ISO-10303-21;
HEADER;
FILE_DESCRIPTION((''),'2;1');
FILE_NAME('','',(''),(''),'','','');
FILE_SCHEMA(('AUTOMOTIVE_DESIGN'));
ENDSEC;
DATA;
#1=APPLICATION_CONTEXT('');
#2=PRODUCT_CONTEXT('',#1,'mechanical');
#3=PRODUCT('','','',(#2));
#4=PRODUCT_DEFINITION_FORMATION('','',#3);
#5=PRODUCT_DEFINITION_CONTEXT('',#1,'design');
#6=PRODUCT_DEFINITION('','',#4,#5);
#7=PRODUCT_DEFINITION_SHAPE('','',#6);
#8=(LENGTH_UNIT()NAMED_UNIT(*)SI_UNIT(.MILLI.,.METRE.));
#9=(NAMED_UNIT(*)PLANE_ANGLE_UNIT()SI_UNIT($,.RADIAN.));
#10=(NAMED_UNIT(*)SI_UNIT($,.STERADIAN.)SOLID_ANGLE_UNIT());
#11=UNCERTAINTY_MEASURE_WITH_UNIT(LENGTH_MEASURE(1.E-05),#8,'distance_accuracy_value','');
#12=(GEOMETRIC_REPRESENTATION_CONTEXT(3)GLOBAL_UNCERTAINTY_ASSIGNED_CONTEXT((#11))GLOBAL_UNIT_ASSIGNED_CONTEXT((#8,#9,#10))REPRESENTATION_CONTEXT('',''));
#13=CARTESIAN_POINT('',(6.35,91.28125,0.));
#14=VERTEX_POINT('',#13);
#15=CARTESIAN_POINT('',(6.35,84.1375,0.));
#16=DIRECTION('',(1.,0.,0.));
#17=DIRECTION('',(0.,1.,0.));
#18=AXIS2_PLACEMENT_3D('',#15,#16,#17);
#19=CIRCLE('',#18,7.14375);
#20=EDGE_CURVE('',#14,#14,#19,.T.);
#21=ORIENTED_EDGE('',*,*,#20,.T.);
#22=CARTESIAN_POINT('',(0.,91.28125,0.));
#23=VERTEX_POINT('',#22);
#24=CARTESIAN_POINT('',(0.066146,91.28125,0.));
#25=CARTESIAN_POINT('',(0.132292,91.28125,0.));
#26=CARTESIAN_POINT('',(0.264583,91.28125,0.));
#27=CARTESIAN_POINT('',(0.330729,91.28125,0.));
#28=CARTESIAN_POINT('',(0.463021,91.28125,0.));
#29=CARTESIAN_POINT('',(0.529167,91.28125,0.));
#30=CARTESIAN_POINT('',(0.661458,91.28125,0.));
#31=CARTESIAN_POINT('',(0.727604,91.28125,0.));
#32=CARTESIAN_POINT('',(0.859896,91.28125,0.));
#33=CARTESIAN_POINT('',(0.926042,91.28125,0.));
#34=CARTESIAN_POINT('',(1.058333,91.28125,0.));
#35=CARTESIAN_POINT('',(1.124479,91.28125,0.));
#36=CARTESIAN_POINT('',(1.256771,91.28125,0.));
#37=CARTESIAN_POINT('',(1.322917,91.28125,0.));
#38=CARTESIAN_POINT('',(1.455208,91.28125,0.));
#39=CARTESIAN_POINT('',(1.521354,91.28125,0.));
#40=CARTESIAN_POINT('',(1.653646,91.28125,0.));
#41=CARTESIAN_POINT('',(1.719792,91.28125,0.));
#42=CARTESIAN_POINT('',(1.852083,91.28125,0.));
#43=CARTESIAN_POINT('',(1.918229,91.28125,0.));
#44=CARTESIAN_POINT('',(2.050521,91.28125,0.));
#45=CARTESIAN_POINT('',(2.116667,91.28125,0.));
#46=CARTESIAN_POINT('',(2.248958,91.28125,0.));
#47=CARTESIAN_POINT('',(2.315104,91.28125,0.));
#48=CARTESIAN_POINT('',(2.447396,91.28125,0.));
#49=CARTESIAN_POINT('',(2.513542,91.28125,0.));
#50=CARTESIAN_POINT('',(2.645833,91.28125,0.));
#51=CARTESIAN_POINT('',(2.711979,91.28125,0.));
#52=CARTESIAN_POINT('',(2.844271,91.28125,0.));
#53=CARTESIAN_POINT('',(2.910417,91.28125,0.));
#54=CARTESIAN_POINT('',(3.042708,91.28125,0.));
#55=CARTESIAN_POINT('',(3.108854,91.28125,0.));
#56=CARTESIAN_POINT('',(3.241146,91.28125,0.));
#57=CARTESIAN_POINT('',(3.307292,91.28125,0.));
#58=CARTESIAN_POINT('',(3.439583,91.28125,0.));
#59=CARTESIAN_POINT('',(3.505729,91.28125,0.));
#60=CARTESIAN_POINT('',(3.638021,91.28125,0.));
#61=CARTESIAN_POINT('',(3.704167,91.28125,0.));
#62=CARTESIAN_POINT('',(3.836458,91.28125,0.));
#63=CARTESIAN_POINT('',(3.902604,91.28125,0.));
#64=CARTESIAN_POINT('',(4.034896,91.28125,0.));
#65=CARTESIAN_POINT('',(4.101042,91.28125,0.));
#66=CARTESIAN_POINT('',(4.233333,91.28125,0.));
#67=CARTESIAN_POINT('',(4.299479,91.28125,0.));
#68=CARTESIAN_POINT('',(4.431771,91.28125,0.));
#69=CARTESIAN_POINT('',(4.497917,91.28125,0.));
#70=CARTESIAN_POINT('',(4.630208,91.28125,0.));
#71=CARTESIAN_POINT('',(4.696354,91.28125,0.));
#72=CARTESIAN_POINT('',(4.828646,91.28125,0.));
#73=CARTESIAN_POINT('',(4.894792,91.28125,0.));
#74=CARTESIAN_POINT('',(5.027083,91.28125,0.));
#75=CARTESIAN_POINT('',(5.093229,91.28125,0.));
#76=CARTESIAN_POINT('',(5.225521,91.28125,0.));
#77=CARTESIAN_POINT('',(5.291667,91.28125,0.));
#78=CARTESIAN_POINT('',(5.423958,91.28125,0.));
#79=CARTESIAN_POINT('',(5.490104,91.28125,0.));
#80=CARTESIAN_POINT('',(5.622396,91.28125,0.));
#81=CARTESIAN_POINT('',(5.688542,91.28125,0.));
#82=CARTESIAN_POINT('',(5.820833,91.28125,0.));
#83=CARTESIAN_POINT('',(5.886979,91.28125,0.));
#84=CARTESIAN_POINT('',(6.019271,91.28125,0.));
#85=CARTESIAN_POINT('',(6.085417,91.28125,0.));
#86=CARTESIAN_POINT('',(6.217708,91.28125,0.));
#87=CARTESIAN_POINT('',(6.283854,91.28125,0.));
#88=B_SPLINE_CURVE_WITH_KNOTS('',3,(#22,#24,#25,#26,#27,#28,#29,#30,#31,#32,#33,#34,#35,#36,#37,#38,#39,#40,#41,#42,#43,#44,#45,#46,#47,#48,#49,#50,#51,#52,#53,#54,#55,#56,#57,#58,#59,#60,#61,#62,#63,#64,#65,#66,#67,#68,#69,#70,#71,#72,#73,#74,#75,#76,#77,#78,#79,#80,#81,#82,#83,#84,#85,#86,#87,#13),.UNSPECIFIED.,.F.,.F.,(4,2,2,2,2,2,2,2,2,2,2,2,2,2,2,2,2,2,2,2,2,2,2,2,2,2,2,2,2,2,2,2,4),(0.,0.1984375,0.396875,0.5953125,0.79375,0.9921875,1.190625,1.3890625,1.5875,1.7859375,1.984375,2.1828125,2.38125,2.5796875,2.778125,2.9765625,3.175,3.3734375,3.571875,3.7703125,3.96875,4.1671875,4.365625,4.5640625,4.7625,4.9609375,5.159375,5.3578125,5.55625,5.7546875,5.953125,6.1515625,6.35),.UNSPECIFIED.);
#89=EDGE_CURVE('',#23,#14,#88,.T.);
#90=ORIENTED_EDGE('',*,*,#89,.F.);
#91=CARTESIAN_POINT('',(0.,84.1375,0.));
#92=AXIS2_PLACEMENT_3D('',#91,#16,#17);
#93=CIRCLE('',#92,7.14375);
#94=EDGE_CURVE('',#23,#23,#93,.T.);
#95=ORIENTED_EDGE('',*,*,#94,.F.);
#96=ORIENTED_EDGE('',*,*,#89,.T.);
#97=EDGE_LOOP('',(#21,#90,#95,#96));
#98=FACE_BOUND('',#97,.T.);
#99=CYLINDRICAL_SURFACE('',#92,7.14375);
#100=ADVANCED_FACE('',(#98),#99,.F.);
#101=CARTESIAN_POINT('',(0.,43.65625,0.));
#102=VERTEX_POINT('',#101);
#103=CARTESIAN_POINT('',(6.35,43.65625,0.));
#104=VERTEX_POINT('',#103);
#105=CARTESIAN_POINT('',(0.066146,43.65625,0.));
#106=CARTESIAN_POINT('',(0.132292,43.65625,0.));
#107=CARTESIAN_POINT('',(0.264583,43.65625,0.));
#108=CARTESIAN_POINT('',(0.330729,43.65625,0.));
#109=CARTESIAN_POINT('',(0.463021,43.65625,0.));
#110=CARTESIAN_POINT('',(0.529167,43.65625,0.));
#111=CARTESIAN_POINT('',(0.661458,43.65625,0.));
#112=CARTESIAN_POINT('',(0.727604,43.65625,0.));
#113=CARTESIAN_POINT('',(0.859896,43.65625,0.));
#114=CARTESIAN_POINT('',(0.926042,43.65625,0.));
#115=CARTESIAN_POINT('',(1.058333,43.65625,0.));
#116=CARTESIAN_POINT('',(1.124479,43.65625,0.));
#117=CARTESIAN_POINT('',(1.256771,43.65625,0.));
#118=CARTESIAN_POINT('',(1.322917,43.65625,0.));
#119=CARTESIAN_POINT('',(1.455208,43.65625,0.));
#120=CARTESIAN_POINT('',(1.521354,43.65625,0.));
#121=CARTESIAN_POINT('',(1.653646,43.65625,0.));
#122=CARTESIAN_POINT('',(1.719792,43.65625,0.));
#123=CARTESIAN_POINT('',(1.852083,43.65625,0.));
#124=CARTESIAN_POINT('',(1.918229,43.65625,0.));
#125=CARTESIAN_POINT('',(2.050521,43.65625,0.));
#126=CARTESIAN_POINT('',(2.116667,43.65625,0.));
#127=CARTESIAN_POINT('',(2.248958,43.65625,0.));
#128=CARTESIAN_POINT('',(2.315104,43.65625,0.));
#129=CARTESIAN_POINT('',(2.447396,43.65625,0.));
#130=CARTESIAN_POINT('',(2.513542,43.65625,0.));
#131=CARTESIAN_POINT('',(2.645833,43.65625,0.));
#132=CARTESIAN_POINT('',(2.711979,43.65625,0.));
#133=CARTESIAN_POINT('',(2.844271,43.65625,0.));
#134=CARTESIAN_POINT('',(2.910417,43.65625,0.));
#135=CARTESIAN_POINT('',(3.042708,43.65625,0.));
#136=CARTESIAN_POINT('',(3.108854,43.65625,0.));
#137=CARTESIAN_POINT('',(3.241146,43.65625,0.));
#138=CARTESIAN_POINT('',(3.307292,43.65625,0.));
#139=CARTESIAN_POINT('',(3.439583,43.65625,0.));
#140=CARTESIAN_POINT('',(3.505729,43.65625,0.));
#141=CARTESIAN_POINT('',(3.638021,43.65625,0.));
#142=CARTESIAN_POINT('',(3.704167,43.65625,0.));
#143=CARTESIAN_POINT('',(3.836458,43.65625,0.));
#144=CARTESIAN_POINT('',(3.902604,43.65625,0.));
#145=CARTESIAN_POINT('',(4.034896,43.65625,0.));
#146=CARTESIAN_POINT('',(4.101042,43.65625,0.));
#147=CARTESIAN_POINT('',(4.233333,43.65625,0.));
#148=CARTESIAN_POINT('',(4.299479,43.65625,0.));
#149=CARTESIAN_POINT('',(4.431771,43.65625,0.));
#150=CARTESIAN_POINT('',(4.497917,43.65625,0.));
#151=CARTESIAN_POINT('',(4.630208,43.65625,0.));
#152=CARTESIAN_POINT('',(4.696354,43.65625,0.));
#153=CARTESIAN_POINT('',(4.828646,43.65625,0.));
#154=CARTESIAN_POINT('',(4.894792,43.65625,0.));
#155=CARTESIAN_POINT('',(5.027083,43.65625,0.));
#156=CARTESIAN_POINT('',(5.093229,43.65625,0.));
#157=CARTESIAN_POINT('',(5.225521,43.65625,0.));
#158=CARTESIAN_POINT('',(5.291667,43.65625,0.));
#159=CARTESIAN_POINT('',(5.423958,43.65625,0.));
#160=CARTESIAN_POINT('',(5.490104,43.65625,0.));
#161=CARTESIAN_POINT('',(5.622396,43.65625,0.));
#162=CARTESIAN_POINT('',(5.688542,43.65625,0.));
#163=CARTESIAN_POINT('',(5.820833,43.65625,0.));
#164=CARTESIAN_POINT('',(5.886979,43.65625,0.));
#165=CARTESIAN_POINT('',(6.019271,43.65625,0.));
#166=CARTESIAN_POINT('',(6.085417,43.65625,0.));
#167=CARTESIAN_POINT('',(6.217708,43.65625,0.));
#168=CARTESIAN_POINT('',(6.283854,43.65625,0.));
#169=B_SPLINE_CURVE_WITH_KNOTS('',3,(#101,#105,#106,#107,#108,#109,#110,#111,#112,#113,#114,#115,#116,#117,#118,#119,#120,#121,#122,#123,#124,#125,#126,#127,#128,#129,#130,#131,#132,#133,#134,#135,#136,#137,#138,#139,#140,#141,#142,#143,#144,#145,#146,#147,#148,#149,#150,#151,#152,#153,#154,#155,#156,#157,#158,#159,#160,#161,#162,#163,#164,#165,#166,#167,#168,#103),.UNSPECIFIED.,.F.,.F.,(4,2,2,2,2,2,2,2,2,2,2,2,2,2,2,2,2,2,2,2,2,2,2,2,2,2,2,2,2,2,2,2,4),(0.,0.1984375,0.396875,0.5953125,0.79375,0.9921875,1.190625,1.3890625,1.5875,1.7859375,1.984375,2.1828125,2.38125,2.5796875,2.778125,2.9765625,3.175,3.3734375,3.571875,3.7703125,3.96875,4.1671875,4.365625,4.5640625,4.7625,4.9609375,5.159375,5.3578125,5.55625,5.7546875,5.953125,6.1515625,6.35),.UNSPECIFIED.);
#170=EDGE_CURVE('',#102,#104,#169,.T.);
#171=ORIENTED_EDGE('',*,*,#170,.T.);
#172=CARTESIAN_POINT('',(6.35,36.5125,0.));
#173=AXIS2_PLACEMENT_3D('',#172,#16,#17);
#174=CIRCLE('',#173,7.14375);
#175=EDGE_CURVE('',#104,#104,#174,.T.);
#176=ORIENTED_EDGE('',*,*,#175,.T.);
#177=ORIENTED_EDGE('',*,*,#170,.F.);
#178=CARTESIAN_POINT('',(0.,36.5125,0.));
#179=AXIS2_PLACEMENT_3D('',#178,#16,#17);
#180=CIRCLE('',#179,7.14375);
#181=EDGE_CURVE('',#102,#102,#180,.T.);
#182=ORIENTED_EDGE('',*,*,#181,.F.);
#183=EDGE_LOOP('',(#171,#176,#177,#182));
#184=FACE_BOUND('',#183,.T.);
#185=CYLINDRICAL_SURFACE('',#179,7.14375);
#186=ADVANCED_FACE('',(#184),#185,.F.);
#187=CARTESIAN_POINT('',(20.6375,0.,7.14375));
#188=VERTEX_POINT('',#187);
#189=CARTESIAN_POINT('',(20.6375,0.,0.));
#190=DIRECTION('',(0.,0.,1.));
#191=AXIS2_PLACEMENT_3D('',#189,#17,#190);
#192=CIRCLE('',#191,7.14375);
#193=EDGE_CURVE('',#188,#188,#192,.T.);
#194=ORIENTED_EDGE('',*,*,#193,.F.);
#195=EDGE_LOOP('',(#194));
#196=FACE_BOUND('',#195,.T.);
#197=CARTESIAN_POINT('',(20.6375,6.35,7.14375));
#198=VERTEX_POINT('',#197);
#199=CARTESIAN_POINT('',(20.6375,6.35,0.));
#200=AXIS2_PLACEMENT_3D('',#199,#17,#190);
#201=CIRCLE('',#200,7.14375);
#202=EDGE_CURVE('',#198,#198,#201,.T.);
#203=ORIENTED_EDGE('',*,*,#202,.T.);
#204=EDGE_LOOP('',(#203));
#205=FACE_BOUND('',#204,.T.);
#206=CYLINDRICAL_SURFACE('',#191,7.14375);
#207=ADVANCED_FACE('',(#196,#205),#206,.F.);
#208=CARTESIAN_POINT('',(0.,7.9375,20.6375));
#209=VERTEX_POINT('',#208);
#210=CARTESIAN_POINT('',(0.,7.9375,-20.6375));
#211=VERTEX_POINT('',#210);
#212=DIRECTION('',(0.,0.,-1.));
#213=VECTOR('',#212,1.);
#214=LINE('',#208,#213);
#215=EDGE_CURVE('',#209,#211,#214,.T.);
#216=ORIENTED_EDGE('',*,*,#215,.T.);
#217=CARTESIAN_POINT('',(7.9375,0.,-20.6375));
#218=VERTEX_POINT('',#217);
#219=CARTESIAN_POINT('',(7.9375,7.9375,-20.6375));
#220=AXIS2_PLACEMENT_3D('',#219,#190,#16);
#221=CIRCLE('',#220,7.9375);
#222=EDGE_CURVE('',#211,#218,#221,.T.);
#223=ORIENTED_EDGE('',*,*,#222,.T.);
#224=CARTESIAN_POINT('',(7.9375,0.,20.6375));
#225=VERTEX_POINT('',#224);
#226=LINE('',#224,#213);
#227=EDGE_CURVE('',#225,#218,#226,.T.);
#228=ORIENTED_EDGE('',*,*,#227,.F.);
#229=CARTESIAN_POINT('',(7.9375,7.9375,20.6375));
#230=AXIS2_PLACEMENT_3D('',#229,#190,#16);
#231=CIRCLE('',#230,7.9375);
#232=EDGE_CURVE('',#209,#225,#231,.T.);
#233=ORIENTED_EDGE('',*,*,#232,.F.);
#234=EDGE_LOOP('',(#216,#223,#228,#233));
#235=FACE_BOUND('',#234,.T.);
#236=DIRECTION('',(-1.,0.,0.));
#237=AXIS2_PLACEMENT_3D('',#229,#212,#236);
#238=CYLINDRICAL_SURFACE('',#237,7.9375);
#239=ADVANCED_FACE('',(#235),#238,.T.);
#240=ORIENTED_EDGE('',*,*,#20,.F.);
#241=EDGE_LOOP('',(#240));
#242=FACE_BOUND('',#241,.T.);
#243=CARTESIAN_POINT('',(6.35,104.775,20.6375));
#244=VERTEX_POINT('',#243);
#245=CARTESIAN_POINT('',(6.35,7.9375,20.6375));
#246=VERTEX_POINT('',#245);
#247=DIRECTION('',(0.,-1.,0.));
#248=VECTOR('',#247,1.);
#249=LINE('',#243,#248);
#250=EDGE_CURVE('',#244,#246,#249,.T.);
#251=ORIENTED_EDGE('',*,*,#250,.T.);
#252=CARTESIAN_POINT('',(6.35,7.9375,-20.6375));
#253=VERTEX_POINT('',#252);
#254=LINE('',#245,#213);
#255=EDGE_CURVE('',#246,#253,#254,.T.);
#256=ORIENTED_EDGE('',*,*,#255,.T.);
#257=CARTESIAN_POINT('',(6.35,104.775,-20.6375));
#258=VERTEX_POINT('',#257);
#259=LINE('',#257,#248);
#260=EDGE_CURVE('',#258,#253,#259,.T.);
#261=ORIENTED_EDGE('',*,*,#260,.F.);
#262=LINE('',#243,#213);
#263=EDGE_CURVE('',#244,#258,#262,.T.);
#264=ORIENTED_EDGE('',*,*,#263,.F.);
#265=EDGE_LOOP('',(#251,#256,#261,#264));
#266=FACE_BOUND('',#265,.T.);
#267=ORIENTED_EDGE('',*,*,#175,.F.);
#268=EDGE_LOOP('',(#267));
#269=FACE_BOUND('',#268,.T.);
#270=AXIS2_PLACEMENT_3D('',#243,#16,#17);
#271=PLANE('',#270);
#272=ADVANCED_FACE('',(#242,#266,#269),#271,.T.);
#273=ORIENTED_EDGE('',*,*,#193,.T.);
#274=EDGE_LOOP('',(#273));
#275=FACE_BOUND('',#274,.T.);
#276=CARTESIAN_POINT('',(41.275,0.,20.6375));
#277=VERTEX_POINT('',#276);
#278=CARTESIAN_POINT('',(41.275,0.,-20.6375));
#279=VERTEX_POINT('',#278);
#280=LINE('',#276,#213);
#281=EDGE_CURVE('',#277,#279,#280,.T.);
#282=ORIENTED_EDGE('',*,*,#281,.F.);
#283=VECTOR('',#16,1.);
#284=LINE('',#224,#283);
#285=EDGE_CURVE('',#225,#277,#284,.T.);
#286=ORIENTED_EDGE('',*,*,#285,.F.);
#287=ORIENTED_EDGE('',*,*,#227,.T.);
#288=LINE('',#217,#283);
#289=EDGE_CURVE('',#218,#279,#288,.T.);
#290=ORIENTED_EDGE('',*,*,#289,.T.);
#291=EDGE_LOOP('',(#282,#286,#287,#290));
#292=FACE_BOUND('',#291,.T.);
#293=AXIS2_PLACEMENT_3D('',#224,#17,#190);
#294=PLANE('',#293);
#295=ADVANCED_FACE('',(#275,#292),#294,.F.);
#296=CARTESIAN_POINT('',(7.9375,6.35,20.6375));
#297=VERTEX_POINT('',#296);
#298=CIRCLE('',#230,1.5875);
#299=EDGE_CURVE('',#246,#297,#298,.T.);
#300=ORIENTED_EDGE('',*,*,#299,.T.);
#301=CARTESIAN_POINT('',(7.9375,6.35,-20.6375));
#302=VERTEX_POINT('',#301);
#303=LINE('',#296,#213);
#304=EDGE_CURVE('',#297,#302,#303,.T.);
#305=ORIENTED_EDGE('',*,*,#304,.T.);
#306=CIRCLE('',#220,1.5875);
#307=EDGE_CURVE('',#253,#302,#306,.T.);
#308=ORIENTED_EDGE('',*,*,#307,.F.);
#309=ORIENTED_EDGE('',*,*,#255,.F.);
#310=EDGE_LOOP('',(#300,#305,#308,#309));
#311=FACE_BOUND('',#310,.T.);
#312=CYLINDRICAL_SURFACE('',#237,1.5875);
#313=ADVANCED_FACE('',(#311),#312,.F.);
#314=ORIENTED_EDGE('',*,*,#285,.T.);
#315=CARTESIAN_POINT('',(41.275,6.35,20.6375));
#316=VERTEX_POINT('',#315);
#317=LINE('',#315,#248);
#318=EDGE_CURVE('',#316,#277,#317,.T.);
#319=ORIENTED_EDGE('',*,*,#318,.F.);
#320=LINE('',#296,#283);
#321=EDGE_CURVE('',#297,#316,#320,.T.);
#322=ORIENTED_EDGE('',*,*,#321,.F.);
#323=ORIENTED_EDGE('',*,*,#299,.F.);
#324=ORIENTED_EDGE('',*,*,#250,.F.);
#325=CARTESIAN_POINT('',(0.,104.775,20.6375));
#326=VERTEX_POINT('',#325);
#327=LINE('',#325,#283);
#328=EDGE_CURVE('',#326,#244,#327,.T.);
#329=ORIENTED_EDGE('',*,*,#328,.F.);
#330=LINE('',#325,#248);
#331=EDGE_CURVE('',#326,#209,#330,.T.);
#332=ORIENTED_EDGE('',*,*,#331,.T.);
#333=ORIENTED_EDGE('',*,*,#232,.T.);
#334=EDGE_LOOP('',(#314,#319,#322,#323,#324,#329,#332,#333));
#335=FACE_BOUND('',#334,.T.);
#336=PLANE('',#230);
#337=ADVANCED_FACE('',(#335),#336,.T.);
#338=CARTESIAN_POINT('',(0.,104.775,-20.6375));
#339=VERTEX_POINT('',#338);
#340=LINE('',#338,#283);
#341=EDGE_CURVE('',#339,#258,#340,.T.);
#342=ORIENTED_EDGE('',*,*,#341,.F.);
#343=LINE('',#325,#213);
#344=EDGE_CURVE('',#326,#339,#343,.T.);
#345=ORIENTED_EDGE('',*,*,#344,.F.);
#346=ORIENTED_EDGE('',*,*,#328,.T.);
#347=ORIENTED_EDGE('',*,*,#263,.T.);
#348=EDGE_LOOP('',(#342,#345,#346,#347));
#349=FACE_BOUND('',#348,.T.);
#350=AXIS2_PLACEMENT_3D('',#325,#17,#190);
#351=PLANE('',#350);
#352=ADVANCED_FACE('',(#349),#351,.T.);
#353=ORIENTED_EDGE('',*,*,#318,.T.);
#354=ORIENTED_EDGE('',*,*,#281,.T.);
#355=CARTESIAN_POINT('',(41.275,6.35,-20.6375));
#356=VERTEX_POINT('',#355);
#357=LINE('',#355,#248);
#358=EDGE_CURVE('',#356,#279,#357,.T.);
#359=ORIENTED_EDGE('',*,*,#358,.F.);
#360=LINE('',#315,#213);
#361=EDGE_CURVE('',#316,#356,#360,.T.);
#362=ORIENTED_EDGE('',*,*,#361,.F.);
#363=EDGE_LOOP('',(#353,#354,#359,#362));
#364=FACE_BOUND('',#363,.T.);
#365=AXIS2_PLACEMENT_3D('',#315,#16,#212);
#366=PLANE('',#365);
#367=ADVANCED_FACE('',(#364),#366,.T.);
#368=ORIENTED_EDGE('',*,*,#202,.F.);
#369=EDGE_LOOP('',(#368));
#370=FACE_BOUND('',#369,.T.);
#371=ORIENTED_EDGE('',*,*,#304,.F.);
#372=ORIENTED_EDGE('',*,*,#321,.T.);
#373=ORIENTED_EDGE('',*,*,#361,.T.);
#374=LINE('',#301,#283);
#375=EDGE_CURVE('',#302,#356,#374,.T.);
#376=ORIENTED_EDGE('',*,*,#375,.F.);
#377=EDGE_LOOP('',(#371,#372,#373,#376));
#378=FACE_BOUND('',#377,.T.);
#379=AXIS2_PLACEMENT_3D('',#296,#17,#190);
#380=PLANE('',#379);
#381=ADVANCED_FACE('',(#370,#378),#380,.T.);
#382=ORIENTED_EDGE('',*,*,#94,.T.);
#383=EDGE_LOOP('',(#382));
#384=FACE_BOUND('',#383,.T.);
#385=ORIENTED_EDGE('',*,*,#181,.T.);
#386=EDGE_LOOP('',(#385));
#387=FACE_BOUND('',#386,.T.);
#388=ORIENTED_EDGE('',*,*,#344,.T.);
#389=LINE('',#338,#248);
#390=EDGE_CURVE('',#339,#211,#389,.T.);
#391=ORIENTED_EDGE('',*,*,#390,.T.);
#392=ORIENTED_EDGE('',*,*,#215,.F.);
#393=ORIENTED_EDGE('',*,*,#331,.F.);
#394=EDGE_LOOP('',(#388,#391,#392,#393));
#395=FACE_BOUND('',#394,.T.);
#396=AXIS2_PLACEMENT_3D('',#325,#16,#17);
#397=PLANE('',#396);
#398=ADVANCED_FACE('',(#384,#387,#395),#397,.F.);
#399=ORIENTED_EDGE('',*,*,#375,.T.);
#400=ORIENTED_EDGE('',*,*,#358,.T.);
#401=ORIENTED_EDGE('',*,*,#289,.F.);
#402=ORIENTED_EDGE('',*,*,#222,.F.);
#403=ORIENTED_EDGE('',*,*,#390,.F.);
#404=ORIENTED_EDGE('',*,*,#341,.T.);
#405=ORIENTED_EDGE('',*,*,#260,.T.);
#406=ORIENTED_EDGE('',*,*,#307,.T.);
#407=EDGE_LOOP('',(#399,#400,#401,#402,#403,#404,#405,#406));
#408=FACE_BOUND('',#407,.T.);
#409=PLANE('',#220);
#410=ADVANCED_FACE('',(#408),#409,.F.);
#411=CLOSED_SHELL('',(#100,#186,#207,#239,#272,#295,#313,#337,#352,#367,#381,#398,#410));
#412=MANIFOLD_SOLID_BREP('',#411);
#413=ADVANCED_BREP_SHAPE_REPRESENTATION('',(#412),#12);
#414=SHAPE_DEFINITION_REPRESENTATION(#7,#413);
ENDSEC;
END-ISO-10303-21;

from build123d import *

# Parameters (mm, degrees)
EXTRUDE_THIN1_DEPTH = 20.6375
SKETCH2_R           = 7.14375
CUT_EXTRUDE1_DEPTH  = 109.706083805
SKETCH3_R           = 7.14375
CUT_EXTRUDE2_DEPTH  = 113.354183973


with BuildPart() as part:
    # Sketch1 → Extrude-Thin1 (new, symmetric)
    with BuildSketch(Plane.XY):
        with BuildLine():
            Line((0, 104.775), (0, 7.9375))
            ThreePointArc((0, 7.9375), (2.324839924, 2.324839924), (7.9375, 0))
            Line((7.9375, 0), (41.275, 0))
            Line((41.275, 0), (41.275, 6.35))
            Line((41.275, 6.35), (7.9375, 6.35))
            ThreePointArc((7.9375, 6.35), (6.814967985, 6.814967985), (6.35, 7.9375))
            Line((6.35, 7.9375), (6.35, 104.775))
            Line((6.35, 104.775), (0, 104.775))
        make_face()
    extrude(amount=EXTRUDE_THIN1_DEPTH, both=True)

    # Sketch2 → Cut-Extrude1 (cut, through all)
    with BuildSketch(Plane(origin=(0, 6.35, 0), x_dir=(1, 0, 0), z_dir=(0, 1, 0))):
        with Locations(Location((20.6375, 0, 0), (0, 0, 270))):
            Circle(SKETCH2_R)
    extrude(amount=-CUT_EXTRUDE1_DEPTH, mode=Mode.SUBTRACT)

    # Sketch3 → Cut-Extrude2 (cut, through all)
    with BuildSketch(Plane(origin=(6.35, 0, 0), x_dir=(0, 0, -1), z_dir=(1, 0, 0))):
        with Locations(Location((0, 84.1375, 0), (0, 0, 90))):
            Circle(SKETCH3_R)
        with Locations(Location((0, 36.5125, 0), (0, 0, 90))):
            Circle(SKETCH3_R)
    extrude(amount=-CUT_EXTRUDE2_DEPTH, mode=Mode.SUBTRACT)


solid = part.part
